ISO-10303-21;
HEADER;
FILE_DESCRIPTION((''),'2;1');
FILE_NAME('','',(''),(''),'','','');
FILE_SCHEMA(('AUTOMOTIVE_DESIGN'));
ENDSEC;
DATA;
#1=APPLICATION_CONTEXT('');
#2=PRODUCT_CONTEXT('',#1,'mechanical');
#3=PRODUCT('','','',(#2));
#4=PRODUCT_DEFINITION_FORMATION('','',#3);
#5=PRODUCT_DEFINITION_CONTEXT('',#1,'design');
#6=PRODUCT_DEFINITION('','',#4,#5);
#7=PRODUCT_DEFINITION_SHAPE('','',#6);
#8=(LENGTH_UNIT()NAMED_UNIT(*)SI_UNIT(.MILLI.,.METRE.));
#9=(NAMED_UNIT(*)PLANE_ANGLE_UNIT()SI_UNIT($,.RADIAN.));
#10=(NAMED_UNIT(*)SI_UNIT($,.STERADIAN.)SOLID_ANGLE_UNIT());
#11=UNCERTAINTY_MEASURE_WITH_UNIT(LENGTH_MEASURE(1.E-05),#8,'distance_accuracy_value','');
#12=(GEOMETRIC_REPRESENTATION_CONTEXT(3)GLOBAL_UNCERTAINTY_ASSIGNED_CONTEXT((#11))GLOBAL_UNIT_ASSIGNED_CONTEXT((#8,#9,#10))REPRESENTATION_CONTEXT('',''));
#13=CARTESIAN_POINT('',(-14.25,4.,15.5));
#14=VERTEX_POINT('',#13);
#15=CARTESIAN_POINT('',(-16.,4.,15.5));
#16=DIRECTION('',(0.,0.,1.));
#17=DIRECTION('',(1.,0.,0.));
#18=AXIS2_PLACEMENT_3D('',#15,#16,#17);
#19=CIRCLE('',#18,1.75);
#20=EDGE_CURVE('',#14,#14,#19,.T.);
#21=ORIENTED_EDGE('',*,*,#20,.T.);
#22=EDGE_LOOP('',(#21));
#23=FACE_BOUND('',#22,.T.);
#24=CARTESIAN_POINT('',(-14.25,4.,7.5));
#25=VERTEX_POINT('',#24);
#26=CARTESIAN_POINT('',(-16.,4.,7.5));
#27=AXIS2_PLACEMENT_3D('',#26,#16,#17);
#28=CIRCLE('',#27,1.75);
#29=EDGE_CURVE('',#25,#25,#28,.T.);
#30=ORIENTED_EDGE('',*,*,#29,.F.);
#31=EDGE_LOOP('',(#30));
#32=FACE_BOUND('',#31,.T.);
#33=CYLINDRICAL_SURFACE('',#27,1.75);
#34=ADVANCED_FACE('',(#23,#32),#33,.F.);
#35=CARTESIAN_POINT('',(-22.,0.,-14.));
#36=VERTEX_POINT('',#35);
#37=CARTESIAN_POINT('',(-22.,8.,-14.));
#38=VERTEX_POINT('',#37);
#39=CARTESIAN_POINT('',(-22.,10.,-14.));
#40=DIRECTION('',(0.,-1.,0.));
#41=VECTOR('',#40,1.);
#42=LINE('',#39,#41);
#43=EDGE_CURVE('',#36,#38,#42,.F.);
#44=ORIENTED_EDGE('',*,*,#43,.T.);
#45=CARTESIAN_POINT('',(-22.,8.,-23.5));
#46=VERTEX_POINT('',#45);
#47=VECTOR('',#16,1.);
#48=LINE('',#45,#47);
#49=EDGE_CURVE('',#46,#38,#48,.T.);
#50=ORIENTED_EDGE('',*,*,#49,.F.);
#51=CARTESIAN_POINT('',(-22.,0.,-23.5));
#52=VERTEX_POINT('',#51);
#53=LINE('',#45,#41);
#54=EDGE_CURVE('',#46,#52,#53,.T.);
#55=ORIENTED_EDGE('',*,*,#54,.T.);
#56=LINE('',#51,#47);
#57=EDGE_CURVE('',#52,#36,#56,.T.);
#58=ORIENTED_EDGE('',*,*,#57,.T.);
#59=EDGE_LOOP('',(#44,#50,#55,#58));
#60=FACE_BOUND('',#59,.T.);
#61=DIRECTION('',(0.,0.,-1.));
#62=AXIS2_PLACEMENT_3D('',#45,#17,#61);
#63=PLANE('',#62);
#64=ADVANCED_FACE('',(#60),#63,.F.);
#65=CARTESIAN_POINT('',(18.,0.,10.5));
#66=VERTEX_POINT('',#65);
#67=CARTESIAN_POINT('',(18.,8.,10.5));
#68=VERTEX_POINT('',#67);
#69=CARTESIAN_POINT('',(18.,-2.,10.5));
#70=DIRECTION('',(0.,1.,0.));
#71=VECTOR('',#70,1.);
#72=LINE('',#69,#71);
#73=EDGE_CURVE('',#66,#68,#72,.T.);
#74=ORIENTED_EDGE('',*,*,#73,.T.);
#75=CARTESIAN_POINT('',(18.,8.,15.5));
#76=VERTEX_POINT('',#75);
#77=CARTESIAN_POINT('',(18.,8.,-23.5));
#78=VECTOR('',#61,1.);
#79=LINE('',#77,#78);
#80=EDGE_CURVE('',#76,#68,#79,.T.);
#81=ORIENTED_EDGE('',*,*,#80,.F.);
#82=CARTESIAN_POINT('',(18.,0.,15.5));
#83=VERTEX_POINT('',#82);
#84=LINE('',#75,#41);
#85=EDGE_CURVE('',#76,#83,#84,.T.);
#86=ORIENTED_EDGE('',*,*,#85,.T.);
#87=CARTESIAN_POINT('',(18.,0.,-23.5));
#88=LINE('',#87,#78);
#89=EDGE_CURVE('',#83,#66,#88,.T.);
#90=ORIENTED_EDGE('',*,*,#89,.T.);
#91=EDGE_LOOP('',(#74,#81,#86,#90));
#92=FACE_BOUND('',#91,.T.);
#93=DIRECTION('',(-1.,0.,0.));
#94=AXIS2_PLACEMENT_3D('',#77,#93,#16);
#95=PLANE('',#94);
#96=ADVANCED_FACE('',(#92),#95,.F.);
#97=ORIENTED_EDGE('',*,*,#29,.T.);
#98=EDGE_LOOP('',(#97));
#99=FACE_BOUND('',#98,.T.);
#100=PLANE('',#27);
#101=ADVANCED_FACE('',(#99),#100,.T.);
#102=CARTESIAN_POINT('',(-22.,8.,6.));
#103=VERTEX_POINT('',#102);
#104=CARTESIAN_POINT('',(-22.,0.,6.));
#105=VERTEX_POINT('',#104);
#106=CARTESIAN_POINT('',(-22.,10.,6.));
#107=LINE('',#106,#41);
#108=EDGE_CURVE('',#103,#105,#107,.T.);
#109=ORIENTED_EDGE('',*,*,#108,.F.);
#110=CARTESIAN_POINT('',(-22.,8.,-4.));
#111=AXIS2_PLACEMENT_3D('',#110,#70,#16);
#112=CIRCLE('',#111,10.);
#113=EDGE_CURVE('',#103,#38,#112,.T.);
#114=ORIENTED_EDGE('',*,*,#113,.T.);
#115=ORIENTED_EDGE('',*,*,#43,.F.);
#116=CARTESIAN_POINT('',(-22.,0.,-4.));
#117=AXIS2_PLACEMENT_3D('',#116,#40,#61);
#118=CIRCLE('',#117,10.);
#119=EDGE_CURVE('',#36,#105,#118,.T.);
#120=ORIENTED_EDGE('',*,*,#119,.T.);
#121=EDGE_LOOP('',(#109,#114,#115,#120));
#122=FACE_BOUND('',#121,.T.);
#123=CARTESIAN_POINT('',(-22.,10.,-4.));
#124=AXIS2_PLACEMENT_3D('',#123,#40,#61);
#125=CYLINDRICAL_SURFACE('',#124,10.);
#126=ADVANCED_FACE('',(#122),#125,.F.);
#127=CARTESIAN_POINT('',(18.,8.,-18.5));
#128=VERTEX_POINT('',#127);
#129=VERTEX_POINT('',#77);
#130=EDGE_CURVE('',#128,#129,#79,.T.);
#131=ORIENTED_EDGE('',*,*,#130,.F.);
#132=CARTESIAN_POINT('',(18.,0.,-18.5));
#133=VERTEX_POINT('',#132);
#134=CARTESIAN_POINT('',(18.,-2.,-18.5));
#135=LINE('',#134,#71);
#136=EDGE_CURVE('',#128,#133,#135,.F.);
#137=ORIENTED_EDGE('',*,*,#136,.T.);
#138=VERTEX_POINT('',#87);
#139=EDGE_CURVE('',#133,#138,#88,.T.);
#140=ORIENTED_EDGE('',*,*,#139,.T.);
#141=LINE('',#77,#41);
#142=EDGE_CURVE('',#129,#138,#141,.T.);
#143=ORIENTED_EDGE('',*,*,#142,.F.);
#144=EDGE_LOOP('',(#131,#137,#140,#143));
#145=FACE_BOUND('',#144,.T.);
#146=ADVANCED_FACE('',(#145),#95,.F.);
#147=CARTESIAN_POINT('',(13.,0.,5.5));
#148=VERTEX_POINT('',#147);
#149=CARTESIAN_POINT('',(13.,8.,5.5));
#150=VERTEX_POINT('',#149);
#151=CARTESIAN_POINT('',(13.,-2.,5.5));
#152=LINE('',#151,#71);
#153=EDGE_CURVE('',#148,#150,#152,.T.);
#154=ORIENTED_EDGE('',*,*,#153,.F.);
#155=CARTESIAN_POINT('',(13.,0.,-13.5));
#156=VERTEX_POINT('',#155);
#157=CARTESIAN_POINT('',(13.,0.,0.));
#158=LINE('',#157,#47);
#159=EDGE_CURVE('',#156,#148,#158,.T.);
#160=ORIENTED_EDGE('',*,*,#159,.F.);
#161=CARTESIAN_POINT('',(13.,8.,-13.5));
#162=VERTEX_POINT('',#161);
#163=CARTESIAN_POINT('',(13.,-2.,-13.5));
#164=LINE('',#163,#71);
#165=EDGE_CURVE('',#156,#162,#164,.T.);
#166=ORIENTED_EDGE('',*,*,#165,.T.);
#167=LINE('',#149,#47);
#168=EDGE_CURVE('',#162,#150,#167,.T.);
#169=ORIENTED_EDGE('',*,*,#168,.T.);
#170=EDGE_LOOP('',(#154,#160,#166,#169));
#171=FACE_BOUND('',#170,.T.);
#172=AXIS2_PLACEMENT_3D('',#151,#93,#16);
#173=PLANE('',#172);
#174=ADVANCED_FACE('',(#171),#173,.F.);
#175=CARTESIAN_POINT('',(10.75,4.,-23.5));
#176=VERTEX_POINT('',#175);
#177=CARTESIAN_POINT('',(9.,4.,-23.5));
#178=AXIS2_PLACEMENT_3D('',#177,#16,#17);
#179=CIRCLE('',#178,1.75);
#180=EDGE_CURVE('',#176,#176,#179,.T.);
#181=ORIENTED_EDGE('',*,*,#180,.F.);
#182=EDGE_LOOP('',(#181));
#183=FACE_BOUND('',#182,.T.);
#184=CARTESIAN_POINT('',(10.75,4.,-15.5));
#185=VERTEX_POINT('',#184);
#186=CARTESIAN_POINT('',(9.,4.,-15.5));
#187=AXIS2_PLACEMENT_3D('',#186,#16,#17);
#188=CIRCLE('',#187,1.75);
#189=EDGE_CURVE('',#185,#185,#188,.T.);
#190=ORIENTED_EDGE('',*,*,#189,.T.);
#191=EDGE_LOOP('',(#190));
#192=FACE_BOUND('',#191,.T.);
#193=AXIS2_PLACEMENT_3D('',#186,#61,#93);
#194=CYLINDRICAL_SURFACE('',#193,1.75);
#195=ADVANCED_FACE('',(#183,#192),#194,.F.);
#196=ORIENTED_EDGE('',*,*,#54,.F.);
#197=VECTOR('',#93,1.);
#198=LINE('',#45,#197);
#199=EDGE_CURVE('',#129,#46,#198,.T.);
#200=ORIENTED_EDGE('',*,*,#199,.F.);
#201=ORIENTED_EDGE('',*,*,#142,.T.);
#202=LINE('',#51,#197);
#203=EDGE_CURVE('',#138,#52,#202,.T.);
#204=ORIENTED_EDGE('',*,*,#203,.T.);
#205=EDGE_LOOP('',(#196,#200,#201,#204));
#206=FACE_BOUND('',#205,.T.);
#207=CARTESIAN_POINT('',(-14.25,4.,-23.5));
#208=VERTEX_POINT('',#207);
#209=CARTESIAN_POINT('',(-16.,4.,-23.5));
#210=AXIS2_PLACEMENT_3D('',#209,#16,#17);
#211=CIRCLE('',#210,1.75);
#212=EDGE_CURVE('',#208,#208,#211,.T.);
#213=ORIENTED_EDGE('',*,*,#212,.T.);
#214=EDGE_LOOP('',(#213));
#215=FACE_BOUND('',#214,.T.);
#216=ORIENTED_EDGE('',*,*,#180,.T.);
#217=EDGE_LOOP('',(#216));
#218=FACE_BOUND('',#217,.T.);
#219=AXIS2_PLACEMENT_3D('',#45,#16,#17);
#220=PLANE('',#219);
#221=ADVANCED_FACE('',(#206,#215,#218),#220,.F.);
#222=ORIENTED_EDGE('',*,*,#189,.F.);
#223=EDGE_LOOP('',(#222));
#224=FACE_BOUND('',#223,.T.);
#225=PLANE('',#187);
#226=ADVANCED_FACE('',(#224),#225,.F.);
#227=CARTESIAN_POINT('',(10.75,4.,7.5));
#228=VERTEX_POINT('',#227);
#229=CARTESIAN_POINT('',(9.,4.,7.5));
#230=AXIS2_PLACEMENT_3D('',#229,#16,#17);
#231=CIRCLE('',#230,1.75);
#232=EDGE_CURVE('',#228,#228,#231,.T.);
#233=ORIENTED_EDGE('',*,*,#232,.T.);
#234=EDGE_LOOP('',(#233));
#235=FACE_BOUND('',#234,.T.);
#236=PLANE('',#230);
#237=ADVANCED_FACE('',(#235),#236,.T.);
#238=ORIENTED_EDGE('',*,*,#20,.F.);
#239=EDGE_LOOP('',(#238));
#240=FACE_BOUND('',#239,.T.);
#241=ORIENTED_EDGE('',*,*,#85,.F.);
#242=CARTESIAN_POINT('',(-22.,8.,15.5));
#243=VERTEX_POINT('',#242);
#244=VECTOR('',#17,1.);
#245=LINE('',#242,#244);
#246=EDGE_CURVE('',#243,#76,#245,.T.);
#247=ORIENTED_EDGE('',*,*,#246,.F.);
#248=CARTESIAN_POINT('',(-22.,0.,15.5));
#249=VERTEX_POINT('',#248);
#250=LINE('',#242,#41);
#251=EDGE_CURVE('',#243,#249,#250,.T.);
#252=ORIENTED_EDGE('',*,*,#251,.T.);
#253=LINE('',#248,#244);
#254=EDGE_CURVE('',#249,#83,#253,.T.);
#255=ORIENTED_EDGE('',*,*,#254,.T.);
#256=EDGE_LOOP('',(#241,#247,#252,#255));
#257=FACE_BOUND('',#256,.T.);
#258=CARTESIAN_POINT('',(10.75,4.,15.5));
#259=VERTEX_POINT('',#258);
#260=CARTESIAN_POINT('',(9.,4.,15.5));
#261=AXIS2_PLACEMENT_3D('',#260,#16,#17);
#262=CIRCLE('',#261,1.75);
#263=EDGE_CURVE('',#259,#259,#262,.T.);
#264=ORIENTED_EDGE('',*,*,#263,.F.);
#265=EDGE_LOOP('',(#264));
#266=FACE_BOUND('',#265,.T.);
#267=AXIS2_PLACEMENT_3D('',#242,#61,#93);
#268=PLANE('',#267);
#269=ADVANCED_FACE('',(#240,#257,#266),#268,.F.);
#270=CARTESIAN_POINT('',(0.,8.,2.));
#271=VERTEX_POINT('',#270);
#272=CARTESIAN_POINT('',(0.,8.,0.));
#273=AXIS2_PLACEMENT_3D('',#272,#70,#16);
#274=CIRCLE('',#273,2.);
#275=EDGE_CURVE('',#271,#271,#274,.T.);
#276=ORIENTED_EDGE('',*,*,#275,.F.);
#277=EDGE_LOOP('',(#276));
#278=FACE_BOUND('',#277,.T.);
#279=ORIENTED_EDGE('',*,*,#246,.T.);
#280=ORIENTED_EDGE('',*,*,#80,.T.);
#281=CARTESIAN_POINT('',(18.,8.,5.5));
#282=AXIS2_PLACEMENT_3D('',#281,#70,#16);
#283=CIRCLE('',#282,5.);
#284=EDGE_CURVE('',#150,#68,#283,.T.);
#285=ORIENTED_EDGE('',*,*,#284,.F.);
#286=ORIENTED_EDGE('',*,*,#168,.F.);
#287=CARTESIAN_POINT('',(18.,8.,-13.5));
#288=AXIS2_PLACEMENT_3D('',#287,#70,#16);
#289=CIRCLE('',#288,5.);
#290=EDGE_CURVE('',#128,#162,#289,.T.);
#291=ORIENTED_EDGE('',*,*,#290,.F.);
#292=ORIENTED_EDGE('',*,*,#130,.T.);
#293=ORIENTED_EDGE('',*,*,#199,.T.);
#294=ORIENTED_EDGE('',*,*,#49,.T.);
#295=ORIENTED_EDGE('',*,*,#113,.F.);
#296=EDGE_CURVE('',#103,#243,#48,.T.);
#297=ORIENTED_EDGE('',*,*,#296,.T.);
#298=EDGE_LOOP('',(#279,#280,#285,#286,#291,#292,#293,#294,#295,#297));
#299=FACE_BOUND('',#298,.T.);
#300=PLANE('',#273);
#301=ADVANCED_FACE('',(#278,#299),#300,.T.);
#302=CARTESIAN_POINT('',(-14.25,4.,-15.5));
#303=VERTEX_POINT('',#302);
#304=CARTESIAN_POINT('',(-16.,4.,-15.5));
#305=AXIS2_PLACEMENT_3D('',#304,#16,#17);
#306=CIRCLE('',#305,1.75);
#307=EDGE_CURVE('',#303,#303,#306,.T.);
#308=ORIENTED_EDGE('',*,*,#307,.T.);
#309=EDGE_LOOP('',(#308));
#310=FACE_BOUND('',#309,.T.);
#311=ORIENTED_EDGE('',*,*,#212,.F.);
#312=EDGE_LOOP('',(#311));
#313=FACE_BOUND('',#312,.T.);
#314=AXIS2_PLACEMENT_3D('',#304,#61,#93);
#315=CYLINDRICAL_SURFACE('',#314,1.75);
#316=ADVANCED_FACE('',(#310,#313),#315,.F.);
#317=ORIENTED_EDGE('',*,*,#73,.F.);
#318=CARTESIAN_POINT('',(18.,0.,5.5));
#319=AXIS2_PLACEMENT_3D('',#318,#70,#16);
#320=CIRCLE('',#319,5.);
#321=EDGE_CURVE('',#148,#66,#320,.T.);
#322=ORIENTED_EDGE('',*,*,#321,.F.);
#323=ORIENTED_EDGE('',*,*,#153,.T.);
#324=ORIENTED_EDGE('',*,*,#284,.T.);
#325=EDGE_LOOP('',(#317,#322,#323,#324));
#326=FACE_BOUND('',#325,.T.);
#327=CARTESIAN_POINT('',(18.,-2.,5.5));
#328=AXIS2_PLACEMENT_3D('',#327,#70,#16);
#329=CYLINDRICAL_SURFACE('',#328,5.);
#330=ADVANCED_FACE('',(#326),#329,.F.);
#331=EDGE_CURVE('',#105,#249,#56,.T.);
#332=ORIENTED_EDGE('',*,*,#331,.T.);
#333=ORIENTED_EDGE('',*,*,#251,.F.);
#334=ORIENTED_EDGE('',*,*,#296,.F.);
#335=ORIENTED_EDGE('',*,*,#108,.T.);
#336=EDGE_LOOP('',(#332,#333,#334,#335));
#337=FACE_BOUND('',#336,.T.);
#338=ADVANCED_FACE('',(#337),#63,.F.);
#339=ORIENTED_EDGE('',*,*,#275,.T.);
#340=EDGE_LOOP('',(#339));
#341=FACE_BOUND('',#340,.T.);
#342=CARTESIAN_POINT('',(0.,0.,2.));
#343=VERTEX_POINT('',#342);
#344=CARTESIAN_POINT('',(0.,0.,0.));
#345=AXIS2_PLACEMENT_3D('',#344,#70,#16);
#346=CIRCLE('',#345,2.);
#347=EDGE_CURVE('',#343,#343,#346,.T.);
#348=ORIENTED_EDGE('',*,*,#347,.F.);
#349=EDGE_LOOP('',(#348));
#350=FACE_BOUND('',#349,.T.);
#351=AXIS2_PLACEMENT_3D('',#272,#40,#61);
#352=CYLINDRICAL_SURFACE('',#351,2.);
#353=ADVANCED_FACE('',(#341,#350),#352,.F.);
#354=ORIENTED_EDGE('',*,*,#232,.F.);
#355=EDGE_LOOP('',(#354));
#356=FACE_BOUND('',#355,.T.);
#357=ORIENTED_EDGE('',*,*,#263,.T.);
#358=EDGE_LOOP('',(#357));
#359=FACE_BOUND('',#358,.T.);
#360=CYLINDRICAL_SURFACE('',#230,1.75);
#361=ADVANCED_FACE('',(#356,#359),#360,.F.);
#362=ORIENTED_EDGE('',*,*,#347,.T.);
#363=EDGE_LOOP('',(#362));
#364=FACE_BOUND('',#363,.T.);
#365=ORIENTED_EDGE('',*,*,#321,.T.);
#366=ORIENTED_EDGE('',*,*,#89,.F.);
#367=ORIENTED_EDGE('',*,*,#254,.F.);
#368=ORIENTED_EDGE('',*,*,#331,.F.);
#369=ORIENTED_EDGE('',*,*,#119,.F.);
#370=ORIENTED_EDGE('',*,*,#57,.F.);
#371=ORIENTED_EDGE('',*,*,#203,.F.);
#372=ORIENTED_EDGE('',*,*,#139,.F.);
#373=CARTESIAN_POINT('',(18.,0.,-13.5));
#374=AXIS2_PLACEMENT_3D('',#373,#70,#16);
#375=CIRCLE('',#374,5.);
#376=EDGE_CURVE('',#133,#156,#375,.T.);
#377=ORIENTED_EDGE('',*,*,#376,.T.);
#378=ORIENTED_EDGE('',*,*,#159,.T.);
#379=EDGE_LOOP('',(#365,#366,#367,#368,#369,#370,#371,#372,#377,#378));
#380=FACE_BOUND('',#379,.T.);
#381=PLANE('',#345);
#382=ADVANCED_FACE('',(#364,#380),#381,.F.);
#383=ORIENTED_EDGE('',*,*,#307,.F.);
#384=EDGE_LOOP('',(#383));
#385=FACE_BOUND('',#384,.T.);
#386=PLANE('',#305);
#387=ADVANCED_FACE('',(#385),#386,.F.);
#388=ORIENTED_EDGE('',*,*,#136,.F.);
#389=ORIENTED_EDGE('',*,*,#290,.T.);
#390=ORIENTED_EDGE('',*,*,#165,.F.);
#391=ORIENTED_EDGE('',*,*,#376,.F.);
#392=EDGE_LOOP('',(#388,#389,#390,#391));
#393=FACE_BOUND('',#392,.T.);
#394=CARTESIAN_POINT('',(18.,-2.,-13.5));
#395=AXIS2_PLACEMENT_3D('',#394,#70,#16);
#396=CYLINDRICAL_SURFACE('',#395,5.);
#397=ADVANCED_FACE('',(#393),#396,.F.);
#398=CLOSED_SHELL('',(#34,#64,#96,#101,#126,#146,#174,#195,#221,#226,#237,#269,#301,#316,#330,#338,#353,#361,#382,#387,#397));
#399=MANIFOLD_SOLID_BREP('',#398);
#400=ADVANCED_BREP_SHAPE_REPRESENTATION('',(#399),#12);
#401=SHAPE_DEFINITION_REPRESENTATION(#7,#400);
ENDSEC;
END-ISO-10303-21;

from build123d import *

# Parameters (mm, degrees)
SKETCH_1_W          = 40
SKETCH_1_H          = 39
SKETCH_1_R          = 2
EXTRUDE_1_DEPTH     = 8
SKETCH_2_R          = 1.75
CUT_EXTRUDE_1_DEPTH = 8
CUT_EXTRUDE_START   = -31
SKETCH_2_3_R        = 1.75
CUT_EXTRUDE_2_DEPTH = 8
SKETCH_4_R          = 10
CUT_EXTRUDE_3_DEPTH = 10
CUT_EXTRUDE_5_DEPTH = 10


with BuildPart() as part:
    # 草图1 → 凸台-拉伸1 (new body)
    with BuildSketch(Plane(origin=(0, 0, 0), x_dir=(1, 0, 0), z_dir=(0, 1, 0))):
        with Locations((-2, 4)):
            Rectangle(SKETCH_1_W, SKETCH_1_H)
        with Locations(Location((0, 0, 0), (0, 0, 270))):
            Circle(SKETCH_1_R, mode=Mode.SUBTRACT)
    extrude(amount=EXTRUDE_1_DEPTH)

    # 草图2 → 切除-拉伸1 (cut)
    with BuildSketch(Plane.XY.offset(15.5)):
        with Locations((9, 4)):
            Circle(SKETCH_2_R)
        with Locations((-16, 4)):
            Circle(SKETCH_2_R)
    extrude(amount=-CUT_EXTRUDE_1_DEPTH, mode=Mode.SUBTRACT)

    # 草图2<3> → 切除-拉伸2 (cut)
    with BuildSketch(Plane.XY.offset(15.5).offset(CUT_EXTRUDE_START)):
        with Locations((9, 4)):
            Circle(SKETCH_2_3_R)
        with Locations((-16, 4)):
            Circle(SKETCH_2_3_R)
    extrude(amount=-CUT_EXTRUDE_2_DEPTH, mode=Mode.SUBTRACT)

    # 草图4 → 切除-拉伸3 (cut)
    with BuildSketch(Plane(origin=(0, 0, 0), x_dir=(-1, 0, 0), z_dir=(0, -1, 0))):
        with Locations((22, 4)):
            Circle(SKETCH_4_R)
    extrude(amount=-CUT_EXTRUDE_3_DEPTH, mode=Mode.SUBTRACT)

    # 草图6 → 切除-拉伸5 (cut)
    with BuildSketch(Plane(origin=(0, 8, 0), x_dir=(1, 0, 0), z_dir=(0, 1, 0))):
        with BuildLine():
            Line((13, -5.5), (13, 13.5))
            ThreePointArc((13, 13.5), (18, 18.5), (23, 13.5))
            Line((23, 13.5), (23, -5.5))
            ThreePointArc((23, -5.5), (18, -10.5), (13, -5.5))
        make_face()
    extrude(amount=-CUT_EXTRUDE_5_DEPTH, mode=Mode.SUBTRACT)


solid = part.part
